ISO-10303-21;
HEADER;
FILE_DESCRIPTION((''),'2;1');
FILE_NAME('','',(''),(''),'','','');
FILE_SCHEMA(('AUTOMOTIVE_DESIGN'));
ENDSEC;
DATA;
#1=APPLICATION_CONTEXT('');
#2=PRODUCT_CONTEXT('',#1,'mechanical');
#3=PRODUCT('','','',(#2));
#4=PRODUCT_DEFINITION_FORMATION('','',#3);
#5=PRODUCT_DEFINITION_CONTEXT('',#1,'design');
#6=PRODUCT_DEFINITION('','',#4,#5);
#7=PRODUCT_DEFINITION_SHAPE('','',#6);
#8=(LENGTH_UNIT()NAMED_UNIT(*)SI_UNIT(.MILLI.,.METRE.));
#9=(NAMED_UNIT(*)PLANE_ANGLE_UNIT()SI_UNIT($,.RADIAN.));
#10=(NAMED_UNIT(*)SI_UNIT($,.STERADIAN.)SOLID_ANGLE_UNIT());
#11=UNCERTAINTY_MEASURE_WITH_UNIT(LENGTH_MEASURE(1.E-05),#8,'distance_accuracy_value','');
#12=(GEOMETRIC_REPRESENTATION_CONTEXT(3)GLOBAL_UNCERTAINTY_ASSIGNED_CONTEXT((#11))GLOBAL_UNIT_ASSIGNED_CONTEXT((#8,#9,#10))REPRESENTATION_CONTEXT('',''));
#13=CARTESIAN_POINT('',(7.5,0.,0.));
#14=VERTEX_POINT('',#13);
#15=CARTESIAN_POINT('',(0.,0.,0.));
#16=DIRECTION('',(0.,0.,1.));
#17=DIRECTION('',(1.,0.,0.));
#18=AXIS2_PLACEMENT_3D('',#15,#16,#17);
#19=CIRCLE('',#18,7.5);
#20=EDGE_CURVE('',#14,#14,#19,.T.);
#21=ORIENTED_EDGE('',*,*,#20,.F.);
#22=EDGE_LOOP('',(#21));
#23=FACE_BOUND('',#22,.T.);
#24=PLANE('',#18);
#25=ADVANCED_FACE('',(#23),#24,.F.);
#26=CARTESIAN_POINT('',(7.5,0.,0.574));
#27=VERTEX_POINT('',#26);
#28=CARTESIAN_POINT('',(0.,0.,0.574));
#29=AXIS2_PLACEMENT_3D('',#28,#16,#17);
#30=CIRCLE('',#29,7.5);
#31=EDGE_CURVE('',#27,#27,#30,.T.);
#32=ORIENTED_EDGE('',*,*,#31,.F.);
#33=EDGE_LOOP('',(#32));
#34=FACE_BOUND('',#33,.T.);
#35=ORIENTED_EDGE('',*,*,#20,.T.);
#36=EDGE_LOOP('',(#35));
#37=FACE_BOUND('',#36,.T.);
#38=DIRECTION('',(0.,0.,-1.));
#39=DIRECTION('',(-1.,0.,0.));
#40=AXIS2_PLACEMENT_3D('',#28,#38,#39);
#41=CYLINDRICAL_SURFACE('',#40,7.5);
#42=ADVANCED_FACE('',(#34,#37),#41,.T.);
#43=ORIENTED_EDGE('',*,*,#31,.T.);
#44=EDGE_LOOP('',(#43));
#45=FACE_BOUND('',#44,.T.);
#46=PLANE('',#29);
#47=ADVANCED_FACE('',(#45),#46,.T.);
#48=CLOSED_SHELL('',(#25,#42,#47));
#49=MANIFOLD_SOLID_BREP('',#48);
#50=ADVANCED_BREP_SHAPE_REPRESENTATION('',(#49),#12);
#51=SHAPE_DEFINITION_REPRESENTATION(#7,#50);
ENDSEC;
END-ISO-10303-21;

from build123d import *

# Parameters (mm, degrees)
SCHIZZO1_R                   = 7.5
ESTRUSIONE_ESTRUSIONE1_DEPTH = 0.574


with BuildPart() as part:
    # Schizzo1 → Estrusione-Estrusione1 (new body)
    with BuildSketch(Plane.XY):
        Circle(SCHIZZO1_R)
    extrude(amount=ESTRUSIONE_ESTRUSIONE1_DEPTH)


solid = part.part
